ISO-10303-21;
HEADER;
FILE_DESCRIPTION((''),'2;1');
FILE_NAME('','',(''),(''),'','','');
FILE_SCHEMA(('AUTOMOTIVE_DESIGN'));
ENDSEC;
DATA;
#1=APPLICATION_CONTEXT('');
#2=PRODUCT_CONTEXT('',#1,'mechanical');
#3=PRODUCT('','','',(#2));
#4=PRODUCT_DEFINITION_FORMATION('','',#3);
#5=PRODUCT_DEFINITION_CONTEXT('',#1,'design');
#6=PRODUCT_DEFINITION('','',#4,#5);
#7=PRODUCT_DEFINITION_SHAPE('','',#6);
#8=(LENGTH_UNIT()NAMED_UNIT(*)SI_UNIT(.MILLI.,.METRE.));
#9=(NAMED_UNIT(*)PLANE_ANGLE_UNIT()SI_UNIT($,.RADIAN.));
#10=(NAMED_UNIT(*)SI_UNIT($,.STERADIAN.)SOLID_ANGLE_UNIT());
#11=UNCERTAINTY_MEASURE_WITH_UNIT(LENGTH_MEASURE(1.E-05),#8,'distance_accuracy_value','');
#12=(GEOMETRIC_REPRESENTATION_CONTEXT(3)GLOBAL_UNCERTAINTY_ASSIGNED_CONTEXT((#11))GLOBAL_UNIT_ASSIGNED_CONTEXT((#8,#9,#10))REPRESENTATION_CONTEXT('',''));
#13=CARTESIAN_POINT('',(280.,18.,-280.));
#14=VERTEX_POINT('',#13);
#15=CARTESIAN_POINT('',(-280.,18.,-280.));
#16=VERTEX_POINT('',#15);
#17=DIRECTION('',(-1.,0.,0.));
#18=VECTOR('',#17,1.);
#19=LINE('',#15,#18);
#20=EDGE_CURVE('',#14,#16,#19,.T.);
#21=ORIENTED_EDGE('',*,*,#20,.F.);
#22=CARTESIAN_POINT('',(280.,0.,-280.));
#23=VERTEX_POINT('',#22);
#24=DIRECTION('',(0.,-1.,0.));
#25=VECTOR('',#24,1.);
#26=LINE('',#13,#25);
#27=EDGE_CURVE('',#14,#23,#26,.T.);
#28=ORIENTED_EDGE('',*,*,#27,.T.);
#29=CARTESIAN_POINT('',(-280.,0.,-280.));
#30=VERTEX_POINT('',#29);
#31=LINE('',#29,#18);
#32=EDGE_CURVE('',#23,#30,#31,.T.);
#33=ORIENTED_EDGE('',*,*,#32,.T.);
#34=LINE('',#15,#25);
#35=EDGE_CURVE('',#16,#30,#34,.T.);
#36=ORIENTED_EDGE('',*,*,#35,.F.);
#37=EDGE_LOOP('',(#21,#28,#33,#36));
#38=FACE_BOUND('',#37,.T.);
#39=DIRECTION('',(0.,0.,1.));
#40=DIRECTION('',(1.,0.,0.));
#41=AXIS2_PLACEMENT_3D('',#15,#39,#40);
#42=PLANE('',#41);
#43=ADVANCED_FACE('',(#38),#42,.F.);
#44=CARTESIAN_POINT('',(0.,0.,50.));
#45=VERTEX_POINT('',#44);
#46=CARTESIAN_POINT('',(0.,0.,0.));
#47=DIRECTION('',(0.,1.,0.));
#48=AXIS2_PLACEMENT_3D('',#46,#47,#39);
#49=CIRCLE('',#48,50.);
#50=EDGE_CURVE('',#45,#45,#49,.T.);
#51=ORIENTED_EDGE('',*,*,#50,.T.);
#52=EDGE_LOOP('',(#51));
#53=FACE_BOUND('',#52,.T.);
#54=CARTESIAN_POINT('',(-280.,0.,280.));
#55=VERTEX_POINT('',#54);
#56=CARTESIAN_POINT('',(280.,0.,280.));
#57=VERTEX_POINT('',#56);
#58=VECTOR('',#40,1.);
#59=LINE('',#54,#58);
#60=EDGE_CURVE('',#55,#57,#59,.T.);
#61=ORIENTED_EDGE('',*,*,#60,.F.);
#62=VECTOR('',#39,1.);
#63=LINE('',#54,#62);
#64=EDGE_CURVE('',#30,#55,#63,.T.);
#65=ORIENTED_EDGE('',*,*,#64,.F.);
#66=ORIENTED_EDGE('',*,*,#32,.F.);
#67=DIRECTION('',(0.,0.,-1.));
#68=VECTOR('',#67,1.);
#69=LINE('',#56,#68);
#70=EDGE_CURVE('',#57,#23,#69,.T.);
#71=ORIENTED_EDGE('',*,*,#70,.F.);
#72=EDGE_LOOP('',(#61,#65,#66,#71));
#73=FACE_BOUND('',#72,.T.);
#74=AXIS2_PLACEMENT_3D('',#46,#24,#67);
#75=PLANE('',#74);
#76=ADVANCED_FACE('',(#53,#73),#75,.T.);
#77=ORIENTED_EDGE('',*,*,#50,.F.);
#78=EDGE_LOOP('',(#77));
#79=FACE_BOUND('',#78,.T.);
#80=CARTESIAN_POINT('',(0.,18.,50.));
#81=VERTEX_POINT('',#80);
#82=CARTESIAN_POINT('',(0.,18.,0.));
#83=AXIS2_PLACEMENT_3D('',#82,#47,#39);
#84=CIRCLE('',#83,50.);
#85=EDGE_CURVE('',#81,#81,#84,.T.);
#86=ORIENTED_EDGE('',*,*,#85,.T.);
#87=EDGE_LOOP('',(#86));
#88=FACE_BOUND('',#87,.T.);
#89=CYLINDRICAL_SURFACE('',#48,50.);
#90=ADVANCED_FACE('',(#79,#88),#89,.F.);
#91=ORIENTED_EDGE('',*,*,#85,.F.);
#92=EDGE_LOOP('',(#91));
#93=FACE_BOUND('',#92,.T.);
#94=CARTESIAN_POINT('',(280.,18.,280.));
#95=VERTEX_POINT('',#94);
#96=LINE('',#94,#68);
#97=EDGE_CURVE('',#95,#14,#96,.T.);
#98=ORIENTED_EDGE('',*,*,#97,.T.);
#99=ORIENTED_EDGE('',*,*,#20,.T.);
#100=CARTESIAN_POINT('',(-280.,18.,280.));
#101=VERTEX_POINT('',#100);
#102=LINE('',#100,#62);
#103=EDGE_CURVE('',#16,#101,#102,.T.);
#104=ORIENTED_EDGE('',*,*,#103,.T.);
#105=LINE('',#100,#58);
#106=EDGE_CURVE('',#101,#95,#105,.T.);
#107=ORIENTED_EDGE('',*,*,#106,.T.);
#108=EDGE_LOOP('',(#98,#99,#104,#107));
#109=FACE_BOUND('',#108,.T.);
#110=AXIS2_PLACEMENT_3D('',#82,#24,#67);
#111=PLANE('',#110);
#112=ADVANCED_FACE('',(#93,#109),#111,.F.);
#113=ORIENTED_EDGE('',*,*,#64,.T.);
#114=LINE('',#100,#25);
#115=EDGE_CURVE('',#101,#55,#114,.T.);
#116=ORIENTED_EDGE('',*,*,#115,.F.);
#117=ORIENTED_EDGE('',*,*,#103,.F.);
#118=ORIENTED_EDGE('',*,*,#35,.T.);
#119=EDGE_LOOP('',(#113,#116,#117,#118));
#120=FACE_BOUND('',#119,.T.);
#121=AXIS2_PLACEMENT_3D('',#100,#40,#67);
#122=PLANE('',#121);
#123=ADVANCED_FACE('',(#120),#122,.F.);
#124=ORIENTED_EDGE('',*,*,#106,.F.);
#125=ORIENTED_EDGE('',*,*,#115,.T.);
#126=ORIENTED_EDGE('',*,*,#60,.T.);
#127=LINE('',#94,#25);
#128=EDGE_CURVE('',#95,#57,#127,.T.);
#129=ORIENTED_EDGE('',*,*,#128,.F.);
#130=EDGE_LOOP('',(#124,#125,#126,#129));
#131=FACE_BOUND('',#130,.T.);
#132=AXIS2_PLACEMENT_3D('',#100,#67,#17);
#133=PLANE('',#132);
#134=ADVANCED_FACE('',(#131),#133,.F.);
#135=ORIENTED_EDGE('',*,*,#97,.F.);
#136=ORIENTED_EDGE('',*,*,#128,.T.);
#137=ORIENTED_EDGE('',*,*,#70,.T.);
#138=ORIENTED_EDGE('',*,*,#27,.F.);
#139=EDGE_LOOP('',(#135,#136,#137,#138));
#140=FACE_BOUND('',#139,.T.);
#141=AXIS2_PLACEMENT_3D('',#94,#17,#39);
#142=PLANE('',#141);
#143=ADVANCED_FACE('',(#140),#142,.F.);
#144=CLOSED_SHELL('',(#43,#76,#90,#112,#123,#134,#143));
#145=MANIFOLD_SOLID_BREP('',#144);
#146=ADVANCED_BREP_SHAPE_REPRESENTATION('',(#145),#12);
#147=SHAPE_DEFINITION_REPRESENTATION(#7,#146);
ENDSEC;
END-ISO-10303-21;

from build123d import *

# Parameters (mm, degrees)
SKETCH_1_W          = 560
SKETCH_1_H          = 560
EXTRUDE_1_DEPTH     = 18
SKETCH_2_R          = 50
CUT_EXTRUDE_1_DEPTH = 19


with BuildPart() as part:
    # 스케치1 → 보스-돌출1 (new body)
    with BuildSketch(Plane(origin=(0, 0, 0), x_dir=(1, 0, 0), z_dir=(0, 1, 0))):
        Rectangle(SKETCH_1_W, SKETCH_1_H)
    extrude(amount=EXTRUDE_1_DEPTH)

    # 스케치2 → 컷-돌출1 (cut, through all)
    with BuildSketch(Plane(origin=(0, 18, 0), x_dir=(1, 0, 0), z_dir=(0, 1, 0))):
        Circle(SKETCH_2_R)
    extrude(amount=-CUT_EXTRUDE_1_DEPTH, mode=Mode.SUBTRACT)


solid = part.part
